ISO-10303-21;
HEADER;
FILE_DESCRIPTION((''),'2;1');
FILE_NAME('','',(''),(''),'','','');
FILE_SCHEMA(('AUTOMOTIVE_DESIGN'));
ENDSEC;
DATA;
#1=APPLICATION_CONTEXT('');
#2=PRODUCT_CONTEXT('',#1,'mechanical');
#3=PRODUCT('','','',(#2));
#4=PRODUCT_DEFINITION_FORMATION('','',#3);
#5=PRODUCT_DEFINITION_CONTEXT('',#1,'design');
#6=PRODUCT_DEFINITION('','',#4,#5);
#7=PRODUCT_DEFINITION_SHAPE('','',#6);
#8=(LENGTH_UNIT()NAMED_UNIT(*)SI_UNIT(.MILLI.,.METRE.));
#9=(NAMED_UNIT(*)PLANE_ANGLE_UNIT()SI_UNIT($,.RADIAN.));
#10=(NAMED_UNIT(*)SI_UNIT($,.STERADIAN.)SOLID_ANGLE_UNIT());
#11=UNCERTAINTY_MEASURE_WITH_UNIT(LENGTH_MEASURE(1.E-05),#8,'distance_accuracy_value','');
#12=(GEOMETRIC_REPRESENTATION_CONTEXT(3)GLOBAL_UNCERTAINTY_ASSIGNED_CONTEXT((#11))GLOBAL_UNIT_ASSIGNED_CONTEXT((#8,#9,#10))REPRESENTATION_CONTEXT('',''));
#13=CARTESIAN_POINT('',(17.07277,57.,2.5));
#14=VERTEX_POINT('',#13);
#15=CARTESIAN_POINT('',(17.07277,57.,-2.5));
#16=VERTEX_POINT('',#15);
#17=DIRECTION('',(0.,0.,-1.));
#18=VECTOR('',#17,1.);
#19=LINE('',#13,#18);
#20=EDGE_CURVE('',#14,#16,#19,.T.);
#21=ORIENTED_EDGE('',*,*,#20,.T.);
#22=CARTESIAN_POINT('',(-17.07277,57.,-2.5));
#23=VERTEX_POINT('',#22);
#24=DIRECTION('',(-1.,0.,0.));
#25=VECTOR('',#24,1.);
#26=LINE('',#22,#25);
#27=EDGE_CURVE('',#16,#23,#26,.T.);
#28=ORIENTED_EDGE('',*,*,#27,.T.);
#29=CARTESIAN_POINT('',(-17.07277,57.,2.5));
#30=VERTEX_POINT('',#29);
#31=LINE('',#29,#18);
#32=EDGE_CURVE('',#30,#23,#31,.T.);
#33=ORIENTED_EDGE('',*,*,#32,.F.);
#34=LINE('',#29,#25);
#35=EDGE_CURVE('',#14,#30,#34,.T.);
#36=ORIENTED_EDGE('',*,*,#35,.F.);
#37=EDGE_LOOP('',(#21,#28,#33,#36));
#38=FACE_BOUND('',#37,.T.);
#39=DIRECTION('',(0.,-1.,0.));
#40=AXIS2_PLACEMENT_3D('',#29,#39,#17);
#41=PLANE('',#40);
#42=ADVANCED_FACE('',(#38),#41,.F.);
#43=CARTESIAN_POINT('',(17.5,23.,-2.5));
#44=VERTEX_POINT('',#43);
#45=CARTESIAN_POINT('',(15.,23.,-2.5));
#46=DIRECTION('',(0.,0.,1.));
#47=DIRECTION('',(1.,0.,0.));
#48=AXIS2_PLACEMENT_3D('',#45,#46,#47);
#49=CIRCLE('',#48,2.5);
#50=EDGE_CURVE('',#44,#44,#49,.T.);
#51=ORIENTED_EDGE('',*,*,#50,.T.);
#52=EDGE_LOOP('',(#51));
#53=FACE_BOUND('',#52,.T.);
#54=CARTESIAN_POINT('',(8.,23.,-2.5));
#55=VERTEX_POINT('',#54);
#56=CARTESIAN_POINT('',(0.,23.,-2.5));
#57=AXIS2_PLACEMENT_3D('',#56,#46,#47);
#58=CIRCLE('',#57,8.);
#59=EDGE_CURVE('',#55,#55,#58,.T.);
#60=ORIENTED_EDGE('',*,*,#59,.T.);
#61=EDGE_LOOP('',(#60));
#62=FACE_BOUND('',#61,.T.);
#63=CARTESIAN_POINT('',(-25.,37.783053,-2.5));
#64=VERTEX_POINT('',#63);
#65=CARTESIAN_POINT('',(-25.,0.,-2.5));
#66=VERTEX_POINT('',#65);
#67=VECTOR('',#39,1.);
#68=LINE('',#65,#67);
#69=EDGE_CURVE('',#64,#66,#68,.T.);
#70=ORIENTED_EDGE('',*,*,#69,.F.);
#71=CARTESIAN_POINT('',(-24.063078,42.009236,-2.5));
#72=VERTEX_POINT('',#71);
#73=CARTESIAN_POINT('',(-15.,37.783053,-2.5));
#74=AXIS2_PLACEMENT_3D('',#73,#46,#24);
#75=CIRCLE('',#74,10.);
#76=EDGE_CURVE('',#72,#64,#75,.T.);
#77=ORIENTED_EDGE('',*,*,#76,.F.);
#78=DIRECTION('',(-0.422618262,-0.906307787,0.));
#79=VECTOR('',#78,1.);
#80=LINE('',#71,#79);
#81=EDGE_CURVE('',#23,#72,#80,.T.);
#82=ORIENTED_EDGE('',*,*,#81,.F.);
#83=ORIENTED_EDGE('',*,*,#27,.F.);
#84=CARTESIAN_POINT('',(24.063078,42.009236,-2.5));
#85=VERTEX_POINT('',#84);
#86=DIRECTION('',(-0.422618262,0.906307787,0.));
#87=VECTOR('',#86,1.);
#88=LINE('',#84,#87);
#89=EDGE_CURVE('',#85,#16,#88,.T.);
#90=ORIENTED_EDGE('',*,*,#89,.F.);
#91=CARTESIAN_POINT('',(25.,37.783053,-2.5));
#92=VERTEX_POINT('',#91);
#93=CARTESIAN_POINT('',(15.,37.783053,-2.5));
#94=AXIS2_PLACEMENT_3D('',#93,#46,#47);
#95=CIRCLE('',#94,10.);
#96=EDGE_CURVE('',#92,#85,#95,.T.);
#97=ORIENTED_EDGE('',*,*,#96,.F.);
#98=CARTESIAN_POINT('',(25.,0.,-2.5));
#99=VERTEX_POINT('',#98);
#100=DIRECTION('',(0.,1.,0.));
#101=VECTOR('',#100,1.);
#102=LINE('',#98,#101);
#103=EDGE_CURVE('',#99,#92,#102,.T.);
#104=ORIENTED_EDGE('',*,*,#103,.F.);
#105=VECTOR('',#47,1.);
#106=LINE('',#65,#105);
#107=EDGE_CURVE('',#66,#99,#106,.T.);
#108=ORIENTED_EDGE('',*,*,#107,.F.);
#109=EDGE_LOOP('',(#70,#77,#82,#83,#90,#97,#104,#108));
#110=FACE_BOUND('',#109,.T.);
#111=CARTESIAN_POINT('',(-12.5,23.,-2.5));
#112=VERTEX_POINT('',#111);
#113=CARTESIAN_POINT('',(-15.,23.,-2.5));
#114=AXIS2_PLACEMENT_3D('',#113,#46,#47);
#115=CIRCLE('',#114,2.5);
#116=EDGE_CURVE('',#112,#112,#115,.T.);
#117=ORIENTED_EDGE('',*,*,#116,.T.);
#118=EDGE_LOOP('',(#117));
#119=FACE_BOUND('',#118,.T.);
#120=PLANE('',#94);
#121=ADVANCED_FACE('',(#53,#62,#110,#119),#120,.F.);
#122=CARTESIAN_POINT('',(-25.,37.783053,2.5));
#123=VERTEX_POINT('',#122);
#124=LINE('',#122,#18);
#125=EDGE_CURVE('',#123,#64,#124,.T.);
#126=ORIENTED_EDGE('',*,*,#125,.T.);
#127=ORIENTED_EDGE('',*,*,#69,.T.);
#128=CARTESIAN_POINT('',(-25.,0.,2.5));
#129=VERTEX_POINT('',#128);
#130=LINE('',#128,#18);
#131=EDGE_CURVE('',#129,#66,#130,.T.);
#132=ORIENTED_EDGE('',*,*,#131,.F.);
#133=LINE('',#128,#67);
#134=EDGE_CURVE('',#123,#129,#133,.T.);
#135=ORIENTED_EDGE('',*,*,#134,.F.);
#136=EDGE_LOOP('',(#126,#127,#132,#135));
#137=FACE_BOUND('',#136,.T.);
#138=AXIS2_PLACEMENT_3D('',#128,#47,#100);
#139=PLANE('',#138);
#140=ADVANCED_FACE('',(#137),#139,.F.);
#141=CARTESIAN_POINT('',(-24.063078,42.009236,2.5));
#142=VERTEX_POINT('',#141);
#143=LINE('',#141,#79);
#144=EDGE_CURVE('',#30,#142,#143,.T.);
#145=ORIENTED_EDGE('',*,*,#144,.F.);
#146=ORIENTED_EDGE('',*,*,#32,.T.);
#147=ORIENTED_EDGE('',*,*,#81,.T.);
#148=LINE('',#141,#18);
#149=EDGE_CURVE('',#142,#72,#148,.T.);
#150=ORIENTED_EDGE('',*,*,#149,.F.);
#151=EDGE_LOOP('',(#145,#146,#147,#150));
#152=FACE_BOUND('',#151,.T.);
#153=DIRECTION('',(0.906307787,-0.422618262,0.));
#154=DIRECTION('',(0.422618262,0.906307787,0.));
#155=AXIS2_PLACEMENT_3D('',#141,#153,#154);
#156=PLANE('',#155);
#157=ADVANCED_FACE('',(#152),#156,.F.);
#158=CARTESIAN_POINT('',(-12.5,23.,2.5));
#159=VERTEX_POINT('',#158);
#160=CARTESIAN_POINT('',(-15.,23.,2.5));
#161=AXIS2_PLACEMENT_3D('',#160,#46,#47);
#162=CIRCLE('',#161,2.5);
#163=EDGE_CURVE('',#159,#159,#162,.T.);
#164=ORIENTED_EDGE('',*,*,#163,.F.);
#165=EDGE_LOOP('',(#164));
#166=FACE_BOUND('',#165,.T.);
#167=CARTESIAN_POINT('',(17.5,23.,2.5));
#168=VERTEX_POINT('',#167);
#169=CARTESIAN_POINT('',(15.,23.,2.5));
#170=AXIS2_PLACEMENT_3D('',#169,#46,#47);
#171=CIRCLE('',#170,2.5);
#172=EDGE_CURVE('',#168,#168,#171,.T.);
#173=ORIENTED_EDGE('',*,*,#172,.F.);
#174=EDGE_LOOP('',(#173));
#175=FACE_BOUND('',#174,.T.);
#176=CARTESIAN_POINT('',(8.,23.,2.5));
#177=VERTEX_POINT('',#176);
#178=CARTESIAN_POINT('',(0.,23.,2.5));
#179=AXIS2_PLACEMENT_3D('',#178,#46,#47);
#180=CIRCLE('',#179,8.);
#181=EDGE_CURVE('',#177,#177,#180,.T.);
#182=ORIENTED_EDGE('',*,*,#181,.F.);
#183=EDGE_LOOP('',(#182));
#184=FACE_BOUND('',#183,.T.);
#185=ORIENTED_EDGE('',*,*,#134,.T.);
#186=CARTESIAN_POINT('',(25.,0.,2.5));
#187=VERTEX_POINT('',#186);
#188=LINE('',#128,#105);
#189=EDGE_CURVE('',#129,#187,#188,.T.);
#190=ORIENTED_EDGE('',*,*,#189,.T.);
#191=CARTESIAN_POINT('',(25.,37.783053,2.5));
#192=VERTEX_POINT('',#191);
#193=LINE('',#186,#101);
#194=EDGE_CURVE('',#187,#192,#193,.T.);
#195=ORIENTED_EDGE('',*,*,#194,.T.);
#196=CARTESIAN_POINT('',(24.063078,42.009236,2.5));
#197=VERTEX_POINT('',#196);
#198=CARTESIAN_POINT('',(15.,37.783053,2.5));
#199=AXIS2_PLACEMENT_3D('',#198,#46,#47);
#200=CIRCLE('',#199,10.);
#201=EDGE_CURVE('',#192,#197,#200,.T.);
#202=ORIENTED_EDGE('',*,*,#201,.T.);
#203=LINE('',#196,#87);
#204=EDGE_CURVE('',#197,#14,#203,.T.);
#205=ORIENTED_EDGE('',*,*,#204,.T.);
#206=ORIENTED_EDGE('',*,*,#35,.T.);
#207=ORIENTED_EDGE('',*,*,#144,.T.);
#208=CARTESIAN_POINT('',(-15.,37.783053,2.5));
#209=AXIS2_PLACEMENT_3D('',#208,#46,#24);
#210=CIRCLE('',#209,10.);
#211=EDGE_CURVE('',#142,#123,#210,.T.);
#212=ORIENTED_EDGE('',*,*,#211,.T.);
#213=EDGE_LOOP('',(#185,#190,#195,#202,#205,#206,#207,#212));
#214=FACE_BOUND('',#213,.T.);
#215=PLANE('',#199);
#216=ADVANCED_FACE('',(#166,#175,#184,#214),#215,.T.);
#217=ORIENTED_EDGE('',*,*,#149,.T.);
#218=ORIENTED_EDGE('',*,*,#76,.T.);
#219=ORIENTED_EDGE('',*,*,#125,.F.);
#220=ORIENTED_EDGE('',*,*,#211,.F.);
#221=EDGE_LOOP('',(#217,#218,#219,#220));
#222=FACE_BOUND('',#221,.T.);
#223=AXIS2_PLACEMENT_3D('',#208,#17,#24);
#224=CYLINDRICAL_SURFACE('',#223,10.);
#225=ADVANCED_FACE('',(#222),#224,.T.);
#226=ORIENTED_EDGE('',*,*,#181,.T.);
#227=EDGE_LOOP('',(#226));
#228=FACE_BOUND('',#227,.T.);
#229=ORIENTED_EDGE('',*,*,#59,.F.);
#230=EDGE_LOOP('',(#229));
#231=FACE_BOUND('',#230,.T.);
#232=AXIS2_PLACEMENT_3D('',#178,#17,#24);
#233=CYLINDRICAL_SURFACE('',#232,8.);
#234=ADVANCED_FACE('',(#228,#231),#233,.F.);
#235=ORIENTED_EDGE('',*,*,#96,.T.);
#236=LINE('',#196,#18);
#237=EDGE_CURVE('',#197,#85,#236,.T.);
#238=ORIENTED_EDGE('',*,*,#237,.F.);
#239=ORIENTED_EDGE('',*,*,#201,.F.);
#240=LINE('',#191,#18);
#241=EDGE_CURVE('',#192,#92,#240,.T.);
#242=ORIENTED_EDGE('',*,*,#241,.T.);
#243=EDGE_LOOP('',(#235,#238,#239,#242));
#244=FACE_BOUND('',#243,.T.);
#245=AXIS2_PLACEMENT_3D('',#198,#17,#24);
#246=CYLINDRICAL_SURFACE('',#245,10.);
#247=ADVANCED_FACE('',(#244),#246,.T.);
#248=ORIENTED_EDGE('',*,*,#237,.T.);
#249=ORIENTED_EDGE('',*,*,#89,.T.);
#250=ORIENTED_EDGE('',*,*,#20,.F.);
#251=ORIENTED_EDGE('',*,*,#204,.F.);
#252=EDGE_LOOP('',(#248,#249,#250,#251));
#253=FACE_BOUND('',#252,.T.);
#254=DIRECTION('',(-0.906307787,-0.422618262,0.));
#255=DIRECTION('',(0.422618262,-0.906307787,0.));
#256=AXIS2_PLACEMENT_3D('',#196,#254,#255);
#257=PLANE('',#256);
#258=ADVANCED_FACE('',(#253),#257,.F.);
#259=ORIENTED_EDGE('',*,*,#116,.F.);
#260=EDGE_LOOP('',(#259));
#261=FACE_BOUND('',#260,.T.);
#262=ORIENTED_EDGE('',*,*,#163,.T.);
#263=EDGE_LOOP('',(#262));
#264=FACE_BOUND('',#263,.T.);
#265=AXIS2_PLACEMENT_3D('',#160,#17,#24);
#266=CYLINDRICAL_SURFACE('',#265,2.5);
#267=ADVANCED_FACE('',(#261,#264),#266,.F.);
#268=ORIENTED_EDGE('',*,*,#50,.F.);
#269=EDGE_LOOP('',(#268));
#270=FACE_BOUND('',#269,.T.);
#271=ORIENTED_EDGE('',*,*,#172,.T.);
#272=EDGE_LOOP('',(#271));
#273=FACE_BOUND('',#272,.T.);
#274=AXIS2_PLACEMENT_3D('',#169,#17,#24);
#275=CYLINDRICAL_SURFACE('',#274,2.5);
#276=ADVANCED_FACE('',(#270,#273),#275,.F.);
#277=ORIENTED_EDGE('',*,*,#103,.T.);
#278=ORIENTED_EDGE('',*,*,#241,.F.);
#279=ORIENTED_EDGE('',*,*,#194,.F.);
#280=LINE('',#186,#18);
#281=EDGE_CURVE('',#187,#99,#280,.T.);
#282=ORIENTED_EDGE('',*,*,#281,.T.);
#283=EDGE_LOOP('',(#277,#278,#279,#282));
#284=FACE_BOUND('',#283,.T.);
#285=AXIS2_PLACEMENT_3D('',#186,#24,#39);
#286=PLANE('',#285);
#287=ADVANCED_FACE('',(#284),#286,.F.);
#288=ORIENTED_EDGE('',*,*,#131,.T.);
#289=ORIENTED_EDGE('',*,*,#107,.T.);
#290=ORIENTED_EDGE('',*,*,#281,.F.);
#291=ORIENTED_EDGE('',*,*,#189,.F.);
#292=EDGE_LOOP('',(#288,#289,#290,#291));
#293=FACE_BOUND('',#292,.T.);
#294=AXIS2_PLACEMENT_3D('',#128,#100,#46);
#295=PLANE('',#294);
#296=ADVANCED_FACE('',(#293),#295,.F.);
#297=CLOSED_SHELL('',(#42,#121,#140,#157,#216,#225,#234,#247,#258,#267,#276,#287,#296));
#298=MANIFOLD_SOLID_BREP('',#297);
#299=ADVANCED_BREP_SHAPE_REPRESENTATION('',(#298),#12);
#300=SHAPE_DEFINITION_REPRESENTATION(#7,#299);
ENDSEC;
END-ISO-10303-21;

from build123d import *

# Parameters (mm, degrees)
SKETCH1_R           = 8
SKETCH1_R_2         = 2.5
BOSS_EXTRUDE1_DEPTH = 2.5


with BuildPart() as part:
    # Sketch1 → Boss-Extrude1 (new, symmetric)
    with BuildSketch(Plane.XY):
        with BuildLine():
            Line((-25, 0), (-25, 37.783053374))
            ThreePointArc((-25, 37.783053374), (-24.762960071, 39.947449513), (-24.06307787, 42.009235991))
            Line((-24.06307787, 42.009235991), (-17.072769811, 57))
            Line((-17.072769811, 57), (17.072769811, 57))
            Line((17.072769811, 57), (24.06307787, 42.009235991))
            ThreePointArc((24.06307787, 42.009235991), (24.762960071, 39.947449513), (25, 37.783053374))
            Line((25, 37.783053374), (25, 0))
            Line((25, 0), (-25, 0))
        make_face()
        with Locations((0, 23)):
            Circle(SKETCH1_R, mode=Mode.SUBTRACT)
        with Locations((-15, 23)):
            Circle(SKETCH1_R_2, mode=Mode.SUBTRACT)
        with Locations((15, 23)):
            Circle(SKETCH1_R_2, mode=Mode.SUBTRACT)
    extrude(amount=BOSS_EXTRUDE1_DEPTH, both=True)


solid = part.part
